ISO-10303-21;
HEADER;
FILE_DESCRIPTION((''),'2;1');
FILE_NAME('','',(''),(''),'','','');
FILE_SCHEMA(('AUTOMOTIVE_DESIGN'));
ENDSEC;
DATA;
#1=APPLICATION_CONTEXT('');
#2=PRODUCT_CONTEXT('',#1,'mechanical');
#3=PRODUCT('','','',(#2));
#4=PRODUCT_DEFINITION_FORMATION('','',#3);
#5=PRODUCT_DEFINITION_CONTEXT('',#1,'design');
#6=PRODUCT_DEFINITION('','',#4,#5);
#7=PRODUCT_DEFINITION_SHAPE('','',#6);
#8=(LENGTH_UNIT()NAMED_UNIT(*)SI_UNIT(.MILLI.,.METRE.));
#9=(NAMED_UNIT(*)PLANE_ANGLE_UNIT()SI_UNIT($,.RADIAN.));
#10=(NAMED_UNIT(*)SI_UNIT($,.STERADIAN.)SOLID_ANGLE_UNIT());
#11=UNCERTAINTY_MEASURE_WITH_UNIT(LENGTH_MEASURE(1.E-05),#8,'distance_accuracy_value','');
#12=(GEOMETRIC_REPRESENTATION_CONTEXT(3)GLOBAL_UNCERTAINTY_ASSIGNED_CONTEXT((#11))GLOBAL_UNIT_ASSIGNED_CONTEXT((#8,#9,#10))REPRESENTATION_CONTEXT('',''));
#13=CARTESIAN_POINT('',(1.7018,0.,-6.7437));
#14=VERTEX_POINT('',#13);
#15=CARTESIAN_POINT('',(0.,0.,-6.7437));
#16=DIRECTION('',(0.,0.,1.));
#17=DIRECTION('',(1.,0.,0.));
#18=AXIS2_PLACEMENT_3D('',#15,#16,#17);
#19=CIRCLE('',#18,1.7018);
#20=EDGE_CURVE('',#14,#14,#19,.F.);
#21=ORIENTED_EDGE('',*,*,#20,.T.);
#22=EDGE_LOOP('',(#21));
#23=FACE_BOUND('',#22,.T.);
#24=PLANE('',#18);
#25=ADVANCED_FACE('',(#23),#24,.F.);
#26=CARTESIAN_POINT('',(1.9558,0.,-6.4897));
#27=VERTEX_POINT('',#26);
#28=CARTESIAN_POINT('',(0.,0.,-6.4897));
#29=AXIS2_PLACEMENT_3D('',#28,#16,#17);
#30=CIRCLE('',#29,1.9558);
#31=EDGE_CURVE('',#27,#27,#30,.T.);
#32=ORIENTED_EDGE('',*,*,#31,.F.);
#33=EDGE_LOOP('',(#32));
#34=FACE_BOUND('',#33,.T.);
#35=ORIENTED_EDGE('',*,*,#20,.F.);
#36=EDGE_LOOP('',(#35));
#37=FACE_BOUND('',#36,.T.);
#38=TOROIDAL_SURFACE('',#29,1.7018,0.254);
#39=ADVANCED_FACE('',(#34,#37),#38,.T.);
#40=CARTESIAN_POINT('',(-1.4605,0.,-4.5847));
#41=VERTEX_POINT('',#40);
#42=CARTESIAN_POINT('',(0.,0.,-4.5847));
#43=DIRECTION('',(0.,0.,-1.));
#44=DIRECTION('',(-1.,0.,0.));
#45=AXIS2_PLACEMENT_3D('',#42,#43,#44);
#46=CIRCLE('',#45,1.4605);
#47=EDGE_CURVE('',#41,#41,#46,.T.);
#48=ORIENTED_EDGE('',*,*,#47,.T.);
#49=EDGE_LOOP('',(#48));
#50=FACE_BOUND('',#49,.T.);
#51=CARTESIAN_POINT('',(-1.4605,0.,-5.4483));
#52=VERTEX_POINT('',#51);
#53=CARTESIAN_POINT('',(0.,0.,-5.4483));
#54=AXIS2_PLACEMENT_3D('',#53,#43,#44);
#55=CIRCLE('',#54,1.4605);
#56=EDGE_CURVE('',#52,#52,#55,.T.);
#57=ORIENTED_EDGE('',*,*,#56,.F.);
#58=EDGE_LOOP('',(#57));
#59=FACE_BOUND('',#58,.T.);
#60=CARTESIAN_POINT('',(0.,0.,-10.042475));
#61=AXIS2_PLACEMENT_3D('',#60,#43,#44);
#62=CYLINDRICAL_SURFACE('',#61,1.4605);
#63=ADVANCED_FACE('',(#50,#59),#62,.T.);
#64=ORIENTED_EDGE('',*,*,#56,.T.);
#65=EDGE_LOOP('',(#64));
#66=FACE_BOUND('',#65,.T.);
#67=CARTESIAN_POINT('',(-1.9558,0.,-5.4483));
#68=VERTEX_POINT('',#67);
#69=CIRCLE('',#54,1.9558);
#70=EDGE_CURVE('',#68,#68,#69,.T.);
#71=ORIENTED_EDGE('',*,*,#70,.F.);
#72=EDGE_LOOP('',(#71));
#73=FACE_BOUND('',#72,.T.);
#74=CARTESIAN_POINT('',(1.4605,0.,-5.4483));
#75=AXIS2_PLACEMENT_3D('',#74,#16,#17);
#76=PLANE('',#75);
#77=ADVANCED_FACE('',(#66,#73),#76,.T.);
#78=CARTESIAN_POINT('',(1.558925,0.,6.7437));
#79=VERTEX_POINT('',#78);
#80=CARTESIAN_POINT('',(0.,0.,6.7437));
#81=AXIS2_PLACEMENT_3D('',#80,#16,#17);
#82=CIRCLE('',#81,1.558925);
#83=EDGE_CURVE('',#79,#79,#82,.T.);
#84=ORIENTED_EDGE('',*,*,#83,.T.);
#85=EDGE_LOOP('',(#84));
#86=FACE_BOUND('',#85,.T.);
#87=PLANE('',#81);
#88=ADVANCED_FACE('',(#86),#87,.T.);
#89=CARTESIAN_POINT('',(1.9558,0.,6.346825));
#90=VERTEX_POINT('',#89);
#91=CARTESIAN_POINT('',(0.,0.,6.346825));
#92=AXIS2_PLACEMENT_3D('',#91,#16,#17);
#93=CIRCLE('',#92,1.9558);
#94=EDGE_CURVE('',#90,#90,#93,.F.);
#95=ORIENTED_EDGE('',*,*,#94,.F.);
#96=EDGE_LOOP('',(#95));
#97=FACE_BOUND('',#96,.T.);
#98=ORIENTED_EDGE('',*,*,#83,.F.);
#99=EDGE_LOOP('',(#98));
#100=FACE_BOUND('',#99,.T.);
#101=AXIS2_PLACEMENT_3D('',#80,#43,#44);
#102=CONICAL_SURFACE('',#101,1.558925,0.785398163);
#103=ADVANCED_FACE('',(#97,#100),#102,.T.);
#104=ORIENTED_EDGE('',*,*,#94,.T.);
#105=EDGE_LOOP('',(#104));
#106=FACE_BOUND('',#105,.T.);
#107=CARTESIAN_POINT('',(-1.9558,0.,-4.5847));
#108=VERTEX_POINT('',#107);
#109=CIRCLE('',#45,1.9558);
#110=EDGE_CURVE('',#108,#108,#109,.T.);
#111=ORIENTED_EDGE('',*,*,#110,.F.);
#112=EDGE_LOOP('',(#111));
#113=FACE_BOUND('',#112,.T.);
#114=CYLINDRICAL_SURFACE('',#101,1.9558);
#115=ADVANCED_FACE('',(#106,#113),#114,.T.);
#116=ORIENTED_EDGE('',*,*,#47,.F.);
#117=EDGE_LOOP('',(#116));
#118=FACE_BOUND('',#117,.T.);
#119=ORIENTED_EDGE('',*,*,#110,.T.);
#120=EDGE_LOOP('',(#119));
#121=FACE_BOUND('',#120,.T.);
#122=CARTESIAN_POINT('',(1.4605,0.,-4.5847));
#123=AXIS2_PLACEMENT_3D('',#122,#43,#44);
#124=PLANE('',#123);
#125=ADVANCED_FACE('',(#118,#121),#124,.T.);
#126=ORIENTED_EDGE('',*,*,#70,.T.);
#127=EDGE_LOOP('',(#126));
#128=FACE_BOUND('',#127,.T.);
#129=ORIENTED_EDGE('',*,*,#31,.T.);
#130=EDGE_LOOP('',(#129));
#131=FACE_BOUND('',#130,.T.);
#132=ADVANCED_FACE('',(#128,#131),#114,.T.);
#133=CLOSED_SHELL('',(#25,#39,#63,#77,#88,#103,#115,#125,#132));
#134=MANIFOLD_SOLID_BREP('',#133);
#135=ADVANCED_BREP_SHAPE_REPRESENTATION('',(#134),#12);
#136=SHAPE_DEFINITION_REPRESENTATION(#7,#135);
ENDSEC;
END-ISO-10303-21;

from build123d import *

# Parameters (mm, degrees)
SKETCH1_R      = 1.9558
EXTRUDE1_DEPTH = 6.7437
SKETCH2_W      = 0.4953
SKETCH2_H      = 0.8636
FILLET1_R      = 0.254
CHAMFER1_SIZE  = 0.396875


with BuildPart() as part:
    # Sketch1 → Extrude1 (new body, symmetric)
    with BuildSketch(Plane.XY):
        Circle(SKETCH1_R)
    extrude(amount=EXTRUDE1_DEPTH, both=True)

    # Sketch2 → Cut-Revolve1 (revolve, cut)
    with BuildSketch(Plane(origin=(0, 0, 0), x_dir=(1, 0, 0), z_dir=(0, 1, 0))):
        with Locations((1.70815, 5.0165)):
            Rectangle(SKETCH2_W, SKETCH2_H)
    revolve(axis=Axis((0, 0, -10.042474892), (0, 0, 1)), mode=Mode.SUBTRACT)

    # Fillet1
    fillet1_edges = [part.edges().sort_by_distance(p)[0] for p in [
        (-1.9558, 0, -6.7437),
    ]]
    fillet(fillet1_edges, radius=FILLET1_R)

    # Chamfer1
    chamfer1_edges = [part.edges().sort_by_distance(p)[0] for p in [
        (-1.9558, 0, 6.7437),
    ]]
    chamfer(chamfer1_edges, length=CHAMFER1_SIZE)


solid = part.part
